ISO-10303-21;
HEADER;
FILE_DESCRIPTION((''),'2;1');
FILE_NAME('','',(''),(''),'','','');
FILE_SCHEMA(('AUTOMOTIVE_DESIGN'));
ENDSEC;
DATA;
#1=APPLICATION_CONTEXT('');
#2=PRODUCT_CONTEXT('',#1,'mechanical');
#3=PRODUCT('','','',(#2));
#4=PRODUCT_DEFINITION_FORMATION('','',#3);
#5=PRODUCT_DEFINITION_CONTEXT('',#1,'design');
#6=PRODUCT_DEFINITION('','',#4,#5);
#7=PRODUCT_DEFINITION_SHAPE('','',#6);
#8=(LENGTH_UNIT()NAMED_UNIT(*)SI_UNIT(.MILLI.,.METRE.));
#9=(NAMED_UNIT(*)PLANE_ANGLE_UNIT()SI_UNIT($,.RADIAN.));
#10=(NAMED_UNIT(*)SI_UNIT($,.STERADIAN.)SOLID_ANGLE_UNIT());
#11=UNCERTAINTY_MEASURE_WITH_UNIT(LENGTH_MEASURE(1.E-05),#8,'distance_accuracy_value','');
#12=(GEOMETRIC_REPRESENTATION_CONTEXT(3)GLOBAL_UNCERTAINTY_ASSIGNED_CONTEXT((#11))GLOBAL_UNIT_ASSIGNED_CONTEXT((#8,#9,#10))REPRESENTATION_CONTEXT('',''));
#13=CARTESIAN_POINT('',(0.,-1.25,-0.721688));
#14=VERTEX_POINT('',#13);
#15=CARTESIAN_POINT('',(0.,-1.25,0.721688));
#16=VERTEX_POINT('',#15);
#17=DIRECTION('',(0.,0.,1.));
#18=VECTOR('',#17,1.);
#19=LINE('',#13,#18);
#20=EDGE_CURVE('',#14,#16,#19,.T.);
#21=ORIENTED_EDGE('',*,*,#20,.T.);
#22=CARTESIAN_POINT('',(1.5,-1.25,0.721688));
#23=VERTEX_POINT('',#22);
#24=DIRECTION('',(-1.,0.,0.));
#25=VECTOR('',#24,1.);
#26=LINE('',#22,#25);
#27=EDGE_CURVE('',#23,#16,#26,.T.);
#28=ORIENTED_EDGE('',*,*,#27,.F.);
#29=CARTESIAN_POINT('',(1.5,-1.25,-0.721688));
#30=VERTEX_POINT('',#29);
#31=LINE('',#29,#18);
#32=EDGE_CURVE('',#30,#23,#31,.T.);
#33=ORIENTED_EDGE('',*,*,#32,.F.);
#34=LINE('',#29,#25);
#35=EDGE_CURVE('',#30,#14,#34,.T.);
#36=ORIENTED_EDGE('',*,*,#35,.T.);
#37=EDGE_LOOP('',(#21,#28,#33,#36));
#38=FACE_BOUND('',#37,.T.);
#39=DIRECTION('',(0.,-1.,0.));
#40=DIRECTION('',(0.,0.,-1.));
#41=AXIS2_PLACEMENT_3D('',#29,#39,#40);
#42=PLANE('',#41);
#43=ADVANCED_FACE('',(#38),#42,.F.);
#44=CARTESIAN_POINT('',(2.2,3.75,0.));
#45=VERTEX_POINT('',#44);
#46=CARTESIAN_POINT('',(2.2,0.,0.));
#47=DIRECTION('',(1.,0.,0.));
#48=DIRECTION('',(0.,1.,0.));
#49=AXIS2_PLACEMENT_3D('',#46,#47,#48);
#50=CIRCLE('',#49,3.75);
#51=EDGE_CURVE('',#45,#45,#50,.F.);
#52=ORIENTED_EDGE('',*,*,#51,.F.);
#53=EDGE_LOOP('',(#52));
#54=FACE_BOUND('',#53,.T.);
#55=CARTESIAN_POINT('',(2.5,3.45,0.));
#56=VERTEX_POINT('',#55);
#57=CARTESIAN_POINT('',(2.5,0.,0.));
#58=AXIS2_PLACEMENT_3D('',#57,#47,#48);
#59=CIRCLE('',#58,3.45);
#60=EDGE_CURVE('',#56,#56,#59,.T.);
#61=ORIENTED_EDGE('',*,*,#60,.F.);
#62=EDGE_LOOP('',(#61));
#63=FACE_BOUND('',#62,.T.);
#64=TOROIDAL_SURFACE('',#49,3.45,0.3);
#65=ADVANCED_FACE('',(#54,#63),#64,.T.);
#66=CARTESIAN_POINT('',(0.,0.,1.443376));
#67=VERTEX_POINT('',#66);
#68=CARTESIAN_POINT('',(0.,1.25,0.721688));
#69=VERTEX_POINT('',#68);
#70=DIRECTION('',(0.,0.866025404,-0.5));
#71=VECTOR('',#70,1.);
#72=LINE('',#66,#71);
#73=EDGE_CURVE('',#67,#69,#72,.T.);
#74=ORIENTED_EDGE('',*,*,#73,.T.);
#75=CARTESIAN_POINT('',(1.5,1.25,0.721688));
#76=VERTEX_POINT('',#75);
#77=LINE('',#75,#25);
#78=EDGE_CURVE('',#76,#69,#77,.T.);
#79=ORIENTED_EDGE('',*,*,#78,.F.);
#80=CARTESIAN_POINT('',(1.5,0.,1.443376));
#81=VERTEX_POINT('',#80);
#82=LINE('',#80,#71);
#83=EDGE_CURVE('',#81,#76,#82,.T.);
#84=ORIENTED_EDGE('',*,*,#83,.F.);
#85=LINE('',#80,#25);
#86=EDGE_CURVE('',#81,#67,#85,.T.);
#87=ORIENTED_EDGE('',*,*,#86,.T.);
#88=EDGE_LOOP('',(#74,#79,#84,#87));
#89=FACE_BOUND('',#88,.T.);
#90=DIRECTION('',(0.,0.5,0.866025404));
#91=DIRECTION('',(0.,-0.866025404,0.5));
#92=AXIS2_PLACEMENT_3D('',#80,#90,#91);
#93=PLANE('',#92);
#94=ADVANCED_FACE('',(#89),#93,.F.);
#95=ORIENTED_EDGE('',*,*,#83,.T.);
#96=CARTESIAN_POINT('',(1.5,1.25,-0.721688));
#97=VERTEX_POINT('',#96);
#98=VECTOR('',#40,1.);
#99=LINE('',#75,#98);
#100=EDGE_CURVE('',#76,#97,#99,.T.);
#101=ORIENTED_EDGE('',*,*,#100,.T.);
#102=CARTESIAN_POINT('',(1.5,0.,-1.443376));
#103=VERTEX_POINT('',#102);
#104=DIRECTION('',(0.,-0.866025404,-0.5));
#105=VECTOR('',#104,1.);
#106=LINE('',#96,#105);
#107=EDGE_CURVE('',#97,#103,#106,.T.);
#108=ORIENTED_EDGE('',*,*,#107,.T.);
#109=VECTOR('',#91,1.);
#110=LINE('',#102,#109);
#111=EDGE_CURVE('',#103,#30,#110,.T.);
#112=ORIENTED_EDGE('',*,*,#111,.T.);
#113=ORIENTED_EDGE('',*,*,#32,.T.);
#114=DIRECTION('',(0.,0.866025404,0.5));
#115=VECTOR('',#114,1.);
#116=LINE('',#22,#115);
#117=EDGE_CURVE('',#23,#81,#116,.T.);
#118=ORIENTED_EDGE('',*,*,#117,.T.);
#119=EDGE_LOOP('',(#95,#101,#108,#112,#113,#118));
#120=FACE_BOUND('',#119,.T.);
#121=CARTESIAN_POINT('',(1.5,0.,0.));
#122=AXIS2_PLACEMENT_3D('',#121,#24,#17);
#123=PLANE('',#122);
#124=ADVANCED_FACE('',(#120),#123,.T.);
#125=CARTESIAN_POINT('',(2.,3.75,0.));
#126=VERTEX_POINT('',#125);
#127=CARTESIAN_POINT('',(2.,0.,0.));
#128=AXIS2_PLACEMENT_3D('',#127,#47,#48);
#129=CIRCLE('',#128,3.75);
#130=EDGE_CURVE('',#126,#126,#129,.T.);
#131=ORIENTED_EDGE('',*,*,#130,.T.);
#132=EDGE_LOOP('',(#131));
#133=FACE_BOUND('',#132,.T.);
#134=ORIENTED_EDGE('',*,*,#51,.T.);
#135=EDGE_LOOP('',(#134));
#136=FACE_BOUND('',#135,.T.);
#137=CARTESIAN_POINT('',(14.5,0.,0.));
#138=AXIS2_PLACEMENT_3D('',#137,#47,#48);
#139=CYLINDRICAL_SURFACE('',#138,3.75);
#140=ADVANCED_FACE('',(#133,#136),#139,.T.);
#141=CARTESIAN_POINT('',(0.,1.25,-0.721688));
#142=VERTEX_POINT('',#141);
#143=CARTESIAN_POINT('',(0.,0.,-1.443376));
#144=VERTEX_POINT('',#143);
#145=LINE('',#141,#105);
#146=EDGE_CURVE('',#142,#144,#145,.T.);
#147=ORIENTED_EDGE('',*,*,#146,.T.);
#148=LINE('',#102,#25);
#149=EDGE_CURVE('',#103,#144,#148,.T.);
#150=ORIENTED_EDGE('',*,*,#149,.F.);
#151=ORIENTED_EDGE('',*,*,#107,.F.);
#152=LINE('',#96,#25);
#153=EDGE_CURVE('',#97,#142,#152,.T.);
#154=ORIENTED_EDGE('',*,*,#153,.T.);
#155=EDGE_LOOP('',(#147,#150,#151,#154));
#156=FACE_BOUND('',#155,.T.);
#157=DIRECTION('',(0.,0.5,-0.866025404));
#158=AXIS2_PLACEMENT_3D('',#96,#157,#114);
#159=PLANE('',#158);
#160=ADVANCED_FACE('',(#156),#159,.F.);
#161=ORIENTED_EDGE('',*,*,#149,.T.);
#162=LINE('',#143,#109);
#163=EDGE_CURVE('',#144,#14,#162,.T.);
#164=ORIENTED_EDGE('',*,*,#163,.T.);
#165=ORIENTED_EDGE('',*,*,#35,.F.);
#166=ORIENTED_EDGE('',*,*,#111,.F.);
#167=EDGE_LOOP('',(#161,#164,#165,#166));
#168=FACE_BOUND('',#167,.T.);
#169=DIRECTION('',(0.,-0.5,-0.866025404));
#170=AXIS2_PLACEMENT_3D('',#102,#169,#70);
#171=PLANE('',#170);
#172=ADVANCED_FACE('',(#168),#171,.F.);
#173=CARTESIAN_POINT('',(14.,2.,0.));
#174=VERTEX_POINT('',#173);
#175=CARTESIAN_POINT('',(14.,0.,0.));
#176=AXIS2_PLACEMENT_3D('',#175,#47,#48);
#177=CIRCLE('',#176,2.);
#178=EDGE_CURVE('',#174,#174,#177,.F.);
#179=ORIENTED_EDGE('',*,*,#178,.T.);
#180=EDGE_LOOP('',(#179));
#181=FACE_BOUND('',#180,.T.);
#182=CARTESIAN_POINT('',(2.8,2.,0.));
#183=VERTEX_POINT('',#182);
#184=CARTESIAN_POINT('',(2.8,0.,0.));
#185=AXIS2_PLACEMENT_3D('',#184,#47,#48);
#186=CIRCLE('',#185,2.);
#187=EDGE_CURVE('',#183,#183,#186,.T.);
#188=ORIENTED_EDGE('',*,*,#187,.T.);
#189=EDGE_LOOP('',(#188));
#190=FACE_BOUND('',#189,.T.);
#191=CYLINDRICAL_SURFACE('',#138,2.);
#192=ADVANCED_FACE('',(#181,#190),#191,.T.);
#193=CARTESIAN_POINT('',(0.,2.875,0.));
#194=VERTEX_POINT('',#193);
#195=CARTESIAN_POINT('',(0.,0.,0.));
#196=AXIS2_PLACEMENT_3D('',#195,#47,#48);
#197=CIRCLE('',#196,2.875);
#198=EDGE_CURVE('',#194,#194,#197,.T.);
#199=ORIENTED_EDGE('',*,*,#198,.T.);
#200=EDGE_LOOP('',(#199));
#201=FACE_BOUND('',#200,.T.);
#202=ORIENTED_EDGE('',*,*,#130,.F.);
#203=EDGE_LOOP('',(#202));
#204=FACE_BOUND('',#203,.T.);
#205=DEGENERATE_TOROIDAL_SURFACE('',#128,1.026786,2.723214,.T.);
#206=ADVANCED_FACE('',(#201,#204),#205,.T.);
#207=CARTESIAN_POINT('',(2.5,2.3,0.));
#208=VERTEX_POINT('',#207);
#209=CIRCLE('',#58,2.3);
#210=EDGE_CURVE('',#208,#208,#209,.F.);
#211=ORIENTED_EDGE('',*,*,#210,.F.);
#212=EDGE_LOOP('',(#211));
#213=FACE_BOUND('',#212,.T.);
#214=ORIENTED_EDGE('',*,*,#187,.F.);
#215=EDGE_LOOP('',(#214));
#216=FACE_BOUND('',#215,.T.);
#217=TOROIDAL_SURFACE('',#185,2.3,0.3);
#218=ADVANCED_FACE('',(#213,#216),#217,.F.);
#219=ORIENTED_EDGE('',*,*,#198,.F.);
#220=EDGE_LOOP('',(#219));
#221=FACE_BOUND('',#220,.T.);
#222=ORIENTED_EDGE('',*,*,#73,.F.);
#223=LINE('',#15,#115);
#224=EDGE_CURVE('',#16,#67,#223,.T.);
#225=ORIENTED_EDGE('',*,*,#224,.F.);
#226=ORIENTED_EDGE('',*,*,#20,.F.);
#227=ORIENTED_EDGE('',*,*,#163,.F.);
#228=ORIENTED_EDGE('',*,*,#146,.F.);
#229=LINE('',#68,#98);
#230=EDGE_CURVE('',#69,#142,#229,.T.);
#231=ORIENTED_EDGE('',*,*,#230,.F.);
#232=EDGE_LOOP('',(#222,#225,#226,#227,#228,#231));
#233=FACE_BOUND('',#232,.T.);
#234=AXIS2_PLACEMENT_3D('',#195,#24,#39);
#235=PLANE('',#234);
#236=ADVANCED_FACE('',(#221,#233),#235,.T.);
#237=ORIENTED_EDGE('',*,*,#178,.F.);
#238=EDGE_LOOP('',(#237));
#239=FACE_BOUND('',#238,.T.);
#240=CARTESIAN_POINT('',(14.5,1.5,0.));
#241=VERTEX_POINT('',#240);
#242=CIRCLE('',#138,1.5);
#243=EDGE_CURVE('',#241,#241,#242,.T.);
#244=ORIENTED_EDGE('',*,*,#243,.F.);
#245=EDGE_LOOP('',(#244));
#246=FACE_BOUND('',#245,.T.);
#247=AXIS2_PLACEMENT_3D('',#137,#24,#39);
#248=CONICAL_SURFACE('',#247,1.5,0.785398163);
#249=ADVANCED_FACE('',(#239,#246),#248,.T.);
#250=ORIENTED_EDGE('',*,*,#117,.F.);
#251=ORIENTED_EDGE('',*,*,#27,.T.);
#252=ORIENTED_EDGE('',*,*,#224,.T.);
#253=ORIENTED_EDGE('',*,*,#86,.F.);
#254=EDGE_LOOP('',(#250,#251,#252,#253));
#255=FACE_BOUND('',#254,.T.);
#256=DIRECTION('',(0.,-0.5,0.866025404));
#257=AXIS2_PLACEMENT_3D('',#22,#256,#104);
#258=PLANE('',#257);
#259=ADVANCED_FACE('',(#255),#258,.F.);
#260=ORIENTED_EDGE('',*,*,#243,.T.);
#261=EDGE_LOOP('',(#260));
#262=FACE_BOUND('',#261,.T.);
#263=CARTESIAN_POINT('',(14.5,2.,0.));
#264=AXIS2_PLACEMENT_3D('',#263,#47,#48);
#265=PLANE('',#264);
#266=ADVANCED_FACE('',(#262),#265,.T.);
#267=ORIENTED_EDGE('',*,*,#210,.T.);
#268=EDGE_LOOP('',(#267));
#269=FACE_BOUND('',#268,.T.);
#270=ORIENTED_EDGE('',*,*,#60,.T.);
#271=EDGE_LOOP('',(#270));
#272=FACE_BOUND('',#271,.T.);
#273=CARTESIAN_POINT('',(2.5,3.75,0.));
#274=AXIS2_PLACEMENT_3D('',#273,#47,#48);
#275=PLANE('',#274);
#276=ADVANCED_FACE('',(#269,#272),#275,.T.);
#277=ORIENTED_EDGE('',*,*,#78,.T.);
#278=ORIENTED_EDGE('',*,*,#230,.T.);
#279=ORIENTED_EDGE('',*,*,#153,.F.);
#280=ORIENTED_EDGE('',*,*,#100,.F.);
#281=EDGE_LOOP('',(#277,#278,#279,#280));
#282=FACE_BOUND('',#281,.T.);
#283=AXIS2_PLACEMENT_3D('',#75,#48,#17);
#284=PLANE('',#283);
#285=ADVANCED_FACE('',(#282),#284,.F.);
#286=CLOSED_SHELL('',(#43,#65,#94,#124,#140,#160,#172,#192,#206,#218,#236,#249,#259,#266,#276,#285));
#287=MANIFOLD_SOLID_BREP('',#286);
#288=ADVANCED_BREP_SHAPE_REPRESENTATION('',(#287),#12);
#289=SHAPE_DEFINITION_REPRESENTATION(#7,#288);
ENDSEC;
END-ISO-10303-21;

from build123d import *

# Parameters (mm, degrees)
CUT_EXTRUDE_1_DEPTH = 1.5
FILLET_1_R          = 0.3
CHAMFER_1_SIZE      = 0.5


with BuildPart() as part:
    # Эскиз1 → Повернуть1 (revolve)
    with BuildSketch(Plane.XY):
        with BuildLine():
            Line((0, 0), (0, 2.875))
            ThreePointArc((0, 2.875), (0.908484425, 3.521678457), (2, 3.75))
            Line((2, 3.75), (2.5, 3.75))
            Line((2.5, 3.75), (2.5, 2))
            Line((2.5, 2), (14.5, 2))
            Line((14.5, 2), (14.5, 0))
            Line((14.5, 0), (0, 0))
        make_face()
    revolve(axis=Axis((14.5, 0, 0), (-1, 0, 0)))

    # Эскиз2 → Вырез-Вытянуть1 (cut)
    with BuildSketch(Plane.ZY):
        Polygon((0.721687836, 1.25), (-0.721687836, 1.25), (-1.443375673, 0), (-0.721687836, -1.25), (0.721687836, -1.25), (1.443375673, 0), align=None)
    extrude(amount=-CUT_EXTRUDE_1_DEPTH, mode=Mode.SUBTRACT)

    # Скругление1
    fillet_1_edges = [part.edges().sort_by_distance(p)[0] for p in [
        (2.5, -2, 0),
        (2.5, -3.75, 0),
    ]]
    fillet(fillet_1_edges, radius=FILLET_1_R)

    # Фаска1
    chamfer_1_edges = [part.edges().sort_by_distance(p)[0] for p in [
        (14.5, -2, 0),
    ]]
    chamfer(chamfer_1_edges, length=CHAMFER_1_SIZE)


solid = part.part
